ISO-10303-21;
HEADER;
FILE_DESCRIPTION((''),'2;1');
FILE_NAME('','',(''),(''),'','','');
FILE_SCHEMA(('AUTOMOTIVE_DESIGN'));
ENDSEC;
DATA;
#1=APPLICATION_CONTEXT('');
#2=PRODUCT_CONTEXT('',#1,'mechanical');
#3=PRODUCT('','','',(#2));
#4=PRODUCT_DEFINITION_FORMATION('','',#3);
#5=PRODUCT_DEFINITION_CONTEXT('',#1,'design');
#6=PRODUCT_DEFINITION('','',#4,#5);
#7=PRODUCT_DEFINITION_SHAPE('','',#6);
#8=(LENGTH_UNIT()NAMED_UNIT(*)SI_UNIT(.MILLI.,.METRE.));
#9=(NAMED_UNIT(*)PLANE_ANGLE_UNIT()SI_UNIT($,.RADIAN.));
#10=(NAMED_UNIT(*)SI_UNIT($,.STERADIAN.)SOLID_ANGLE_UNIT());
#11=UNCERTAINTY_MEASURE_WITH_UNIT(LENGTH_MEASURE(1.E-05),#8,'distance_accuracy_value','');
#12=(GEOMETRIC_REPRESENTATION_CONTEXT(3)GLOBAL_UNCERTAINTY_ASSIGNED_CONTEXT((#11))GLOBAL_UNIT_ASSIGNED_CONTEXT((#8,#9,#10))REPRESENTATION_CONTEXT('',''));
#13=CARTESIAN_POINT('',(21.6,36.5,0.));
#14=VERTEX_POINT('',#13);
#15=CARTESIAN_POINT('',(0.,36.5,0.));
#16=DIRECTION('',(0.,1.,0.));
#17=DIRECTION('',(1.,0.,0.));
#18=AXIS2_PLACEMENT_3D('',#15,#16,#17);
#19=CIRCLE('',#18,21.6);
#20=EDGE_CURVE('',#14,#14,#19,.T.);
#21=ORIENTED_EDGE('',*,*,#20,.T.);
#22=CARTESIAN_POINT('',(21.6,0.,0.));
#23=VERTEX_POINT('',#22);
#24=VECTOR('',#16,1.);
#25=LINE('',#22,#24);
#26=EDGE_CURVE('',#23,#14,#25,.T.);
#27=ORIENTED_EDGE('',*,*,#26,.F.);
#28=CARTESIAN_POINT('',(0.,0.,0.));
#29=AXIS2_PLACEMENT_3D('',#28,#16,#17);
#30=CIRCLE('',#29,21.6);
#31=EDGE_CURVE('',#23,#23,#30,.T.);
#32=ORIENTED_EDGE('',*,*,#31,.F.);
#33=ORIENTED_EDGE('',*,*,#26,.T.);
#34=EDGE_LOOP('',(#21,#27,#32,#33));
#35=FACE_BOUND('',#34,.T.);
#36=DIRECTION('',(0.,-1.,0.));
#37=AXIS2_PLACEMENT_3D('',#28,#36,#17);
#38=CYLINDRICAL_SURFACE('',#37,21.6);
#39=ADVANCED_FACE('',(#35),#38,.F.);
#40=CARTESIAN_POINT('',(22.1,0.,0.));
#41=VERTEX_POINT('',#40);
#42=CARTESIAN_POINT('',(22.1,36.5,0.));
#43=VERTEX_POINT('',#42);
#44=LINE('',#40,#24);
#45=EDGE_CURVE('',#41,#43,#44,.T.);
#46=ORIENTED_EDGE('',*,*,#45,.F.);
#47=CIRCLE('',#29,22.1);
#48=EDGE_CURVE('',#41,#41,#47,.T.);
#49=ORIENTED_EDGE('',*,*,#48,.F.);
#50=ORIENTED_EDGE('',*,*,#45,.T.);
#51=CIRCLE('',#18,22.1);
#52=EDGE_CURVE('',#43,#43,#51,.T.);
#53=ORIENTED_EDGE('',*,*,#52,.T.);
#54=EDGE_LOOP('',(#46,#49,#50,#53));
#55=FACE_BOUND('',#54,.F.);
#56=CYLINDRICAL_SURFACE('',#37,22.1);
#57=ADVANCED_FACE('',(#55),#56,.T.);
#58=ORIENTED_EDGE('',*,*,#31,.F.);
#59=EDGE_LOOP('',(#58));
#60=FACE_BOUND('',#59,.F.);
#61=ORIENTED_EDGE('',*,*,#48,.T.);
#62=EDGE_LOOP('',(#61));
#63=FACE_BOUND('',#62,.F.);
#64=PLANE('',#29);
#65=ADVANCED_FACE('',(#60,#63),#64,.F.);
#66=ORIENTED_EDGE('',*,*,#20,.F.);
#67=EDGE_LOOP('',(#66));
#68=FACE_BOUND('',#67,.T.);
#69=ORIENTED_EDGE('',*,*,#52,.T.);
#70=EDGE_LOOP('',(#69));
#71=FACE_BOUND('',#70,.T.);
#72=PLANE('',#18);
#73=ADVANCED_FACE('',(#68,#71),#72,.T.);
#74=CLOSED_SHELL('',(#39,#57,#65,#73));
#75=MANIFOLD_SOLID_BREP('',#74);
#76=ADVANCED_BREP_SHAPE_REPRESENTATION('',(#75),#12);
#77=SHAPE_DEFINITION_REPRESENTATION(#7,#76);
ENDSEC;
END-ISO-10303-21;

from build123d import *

# Parameters (mm, degrees)
SKETCH_1_R      = 22.1
SKETCH_1_R_2    = 21.6
EXTRUDE_1_DEPTH = 36.5


with BuildPart() as part:
    # 草图1 → 凸台-拉伸1 (new body)
    with BuildSketch(Plane(origin=(0, 0, 0), x_dir=(1, 0, 0), z_dir=(0, 1, 0))):
        Circle(SKETCH_1_R)
        Circle(SKETCH_1_R_2, mode=Mode.SUBTRACT)
    extrude(amount=EXTRUDE_1_DEPTH)


solid = part.part
